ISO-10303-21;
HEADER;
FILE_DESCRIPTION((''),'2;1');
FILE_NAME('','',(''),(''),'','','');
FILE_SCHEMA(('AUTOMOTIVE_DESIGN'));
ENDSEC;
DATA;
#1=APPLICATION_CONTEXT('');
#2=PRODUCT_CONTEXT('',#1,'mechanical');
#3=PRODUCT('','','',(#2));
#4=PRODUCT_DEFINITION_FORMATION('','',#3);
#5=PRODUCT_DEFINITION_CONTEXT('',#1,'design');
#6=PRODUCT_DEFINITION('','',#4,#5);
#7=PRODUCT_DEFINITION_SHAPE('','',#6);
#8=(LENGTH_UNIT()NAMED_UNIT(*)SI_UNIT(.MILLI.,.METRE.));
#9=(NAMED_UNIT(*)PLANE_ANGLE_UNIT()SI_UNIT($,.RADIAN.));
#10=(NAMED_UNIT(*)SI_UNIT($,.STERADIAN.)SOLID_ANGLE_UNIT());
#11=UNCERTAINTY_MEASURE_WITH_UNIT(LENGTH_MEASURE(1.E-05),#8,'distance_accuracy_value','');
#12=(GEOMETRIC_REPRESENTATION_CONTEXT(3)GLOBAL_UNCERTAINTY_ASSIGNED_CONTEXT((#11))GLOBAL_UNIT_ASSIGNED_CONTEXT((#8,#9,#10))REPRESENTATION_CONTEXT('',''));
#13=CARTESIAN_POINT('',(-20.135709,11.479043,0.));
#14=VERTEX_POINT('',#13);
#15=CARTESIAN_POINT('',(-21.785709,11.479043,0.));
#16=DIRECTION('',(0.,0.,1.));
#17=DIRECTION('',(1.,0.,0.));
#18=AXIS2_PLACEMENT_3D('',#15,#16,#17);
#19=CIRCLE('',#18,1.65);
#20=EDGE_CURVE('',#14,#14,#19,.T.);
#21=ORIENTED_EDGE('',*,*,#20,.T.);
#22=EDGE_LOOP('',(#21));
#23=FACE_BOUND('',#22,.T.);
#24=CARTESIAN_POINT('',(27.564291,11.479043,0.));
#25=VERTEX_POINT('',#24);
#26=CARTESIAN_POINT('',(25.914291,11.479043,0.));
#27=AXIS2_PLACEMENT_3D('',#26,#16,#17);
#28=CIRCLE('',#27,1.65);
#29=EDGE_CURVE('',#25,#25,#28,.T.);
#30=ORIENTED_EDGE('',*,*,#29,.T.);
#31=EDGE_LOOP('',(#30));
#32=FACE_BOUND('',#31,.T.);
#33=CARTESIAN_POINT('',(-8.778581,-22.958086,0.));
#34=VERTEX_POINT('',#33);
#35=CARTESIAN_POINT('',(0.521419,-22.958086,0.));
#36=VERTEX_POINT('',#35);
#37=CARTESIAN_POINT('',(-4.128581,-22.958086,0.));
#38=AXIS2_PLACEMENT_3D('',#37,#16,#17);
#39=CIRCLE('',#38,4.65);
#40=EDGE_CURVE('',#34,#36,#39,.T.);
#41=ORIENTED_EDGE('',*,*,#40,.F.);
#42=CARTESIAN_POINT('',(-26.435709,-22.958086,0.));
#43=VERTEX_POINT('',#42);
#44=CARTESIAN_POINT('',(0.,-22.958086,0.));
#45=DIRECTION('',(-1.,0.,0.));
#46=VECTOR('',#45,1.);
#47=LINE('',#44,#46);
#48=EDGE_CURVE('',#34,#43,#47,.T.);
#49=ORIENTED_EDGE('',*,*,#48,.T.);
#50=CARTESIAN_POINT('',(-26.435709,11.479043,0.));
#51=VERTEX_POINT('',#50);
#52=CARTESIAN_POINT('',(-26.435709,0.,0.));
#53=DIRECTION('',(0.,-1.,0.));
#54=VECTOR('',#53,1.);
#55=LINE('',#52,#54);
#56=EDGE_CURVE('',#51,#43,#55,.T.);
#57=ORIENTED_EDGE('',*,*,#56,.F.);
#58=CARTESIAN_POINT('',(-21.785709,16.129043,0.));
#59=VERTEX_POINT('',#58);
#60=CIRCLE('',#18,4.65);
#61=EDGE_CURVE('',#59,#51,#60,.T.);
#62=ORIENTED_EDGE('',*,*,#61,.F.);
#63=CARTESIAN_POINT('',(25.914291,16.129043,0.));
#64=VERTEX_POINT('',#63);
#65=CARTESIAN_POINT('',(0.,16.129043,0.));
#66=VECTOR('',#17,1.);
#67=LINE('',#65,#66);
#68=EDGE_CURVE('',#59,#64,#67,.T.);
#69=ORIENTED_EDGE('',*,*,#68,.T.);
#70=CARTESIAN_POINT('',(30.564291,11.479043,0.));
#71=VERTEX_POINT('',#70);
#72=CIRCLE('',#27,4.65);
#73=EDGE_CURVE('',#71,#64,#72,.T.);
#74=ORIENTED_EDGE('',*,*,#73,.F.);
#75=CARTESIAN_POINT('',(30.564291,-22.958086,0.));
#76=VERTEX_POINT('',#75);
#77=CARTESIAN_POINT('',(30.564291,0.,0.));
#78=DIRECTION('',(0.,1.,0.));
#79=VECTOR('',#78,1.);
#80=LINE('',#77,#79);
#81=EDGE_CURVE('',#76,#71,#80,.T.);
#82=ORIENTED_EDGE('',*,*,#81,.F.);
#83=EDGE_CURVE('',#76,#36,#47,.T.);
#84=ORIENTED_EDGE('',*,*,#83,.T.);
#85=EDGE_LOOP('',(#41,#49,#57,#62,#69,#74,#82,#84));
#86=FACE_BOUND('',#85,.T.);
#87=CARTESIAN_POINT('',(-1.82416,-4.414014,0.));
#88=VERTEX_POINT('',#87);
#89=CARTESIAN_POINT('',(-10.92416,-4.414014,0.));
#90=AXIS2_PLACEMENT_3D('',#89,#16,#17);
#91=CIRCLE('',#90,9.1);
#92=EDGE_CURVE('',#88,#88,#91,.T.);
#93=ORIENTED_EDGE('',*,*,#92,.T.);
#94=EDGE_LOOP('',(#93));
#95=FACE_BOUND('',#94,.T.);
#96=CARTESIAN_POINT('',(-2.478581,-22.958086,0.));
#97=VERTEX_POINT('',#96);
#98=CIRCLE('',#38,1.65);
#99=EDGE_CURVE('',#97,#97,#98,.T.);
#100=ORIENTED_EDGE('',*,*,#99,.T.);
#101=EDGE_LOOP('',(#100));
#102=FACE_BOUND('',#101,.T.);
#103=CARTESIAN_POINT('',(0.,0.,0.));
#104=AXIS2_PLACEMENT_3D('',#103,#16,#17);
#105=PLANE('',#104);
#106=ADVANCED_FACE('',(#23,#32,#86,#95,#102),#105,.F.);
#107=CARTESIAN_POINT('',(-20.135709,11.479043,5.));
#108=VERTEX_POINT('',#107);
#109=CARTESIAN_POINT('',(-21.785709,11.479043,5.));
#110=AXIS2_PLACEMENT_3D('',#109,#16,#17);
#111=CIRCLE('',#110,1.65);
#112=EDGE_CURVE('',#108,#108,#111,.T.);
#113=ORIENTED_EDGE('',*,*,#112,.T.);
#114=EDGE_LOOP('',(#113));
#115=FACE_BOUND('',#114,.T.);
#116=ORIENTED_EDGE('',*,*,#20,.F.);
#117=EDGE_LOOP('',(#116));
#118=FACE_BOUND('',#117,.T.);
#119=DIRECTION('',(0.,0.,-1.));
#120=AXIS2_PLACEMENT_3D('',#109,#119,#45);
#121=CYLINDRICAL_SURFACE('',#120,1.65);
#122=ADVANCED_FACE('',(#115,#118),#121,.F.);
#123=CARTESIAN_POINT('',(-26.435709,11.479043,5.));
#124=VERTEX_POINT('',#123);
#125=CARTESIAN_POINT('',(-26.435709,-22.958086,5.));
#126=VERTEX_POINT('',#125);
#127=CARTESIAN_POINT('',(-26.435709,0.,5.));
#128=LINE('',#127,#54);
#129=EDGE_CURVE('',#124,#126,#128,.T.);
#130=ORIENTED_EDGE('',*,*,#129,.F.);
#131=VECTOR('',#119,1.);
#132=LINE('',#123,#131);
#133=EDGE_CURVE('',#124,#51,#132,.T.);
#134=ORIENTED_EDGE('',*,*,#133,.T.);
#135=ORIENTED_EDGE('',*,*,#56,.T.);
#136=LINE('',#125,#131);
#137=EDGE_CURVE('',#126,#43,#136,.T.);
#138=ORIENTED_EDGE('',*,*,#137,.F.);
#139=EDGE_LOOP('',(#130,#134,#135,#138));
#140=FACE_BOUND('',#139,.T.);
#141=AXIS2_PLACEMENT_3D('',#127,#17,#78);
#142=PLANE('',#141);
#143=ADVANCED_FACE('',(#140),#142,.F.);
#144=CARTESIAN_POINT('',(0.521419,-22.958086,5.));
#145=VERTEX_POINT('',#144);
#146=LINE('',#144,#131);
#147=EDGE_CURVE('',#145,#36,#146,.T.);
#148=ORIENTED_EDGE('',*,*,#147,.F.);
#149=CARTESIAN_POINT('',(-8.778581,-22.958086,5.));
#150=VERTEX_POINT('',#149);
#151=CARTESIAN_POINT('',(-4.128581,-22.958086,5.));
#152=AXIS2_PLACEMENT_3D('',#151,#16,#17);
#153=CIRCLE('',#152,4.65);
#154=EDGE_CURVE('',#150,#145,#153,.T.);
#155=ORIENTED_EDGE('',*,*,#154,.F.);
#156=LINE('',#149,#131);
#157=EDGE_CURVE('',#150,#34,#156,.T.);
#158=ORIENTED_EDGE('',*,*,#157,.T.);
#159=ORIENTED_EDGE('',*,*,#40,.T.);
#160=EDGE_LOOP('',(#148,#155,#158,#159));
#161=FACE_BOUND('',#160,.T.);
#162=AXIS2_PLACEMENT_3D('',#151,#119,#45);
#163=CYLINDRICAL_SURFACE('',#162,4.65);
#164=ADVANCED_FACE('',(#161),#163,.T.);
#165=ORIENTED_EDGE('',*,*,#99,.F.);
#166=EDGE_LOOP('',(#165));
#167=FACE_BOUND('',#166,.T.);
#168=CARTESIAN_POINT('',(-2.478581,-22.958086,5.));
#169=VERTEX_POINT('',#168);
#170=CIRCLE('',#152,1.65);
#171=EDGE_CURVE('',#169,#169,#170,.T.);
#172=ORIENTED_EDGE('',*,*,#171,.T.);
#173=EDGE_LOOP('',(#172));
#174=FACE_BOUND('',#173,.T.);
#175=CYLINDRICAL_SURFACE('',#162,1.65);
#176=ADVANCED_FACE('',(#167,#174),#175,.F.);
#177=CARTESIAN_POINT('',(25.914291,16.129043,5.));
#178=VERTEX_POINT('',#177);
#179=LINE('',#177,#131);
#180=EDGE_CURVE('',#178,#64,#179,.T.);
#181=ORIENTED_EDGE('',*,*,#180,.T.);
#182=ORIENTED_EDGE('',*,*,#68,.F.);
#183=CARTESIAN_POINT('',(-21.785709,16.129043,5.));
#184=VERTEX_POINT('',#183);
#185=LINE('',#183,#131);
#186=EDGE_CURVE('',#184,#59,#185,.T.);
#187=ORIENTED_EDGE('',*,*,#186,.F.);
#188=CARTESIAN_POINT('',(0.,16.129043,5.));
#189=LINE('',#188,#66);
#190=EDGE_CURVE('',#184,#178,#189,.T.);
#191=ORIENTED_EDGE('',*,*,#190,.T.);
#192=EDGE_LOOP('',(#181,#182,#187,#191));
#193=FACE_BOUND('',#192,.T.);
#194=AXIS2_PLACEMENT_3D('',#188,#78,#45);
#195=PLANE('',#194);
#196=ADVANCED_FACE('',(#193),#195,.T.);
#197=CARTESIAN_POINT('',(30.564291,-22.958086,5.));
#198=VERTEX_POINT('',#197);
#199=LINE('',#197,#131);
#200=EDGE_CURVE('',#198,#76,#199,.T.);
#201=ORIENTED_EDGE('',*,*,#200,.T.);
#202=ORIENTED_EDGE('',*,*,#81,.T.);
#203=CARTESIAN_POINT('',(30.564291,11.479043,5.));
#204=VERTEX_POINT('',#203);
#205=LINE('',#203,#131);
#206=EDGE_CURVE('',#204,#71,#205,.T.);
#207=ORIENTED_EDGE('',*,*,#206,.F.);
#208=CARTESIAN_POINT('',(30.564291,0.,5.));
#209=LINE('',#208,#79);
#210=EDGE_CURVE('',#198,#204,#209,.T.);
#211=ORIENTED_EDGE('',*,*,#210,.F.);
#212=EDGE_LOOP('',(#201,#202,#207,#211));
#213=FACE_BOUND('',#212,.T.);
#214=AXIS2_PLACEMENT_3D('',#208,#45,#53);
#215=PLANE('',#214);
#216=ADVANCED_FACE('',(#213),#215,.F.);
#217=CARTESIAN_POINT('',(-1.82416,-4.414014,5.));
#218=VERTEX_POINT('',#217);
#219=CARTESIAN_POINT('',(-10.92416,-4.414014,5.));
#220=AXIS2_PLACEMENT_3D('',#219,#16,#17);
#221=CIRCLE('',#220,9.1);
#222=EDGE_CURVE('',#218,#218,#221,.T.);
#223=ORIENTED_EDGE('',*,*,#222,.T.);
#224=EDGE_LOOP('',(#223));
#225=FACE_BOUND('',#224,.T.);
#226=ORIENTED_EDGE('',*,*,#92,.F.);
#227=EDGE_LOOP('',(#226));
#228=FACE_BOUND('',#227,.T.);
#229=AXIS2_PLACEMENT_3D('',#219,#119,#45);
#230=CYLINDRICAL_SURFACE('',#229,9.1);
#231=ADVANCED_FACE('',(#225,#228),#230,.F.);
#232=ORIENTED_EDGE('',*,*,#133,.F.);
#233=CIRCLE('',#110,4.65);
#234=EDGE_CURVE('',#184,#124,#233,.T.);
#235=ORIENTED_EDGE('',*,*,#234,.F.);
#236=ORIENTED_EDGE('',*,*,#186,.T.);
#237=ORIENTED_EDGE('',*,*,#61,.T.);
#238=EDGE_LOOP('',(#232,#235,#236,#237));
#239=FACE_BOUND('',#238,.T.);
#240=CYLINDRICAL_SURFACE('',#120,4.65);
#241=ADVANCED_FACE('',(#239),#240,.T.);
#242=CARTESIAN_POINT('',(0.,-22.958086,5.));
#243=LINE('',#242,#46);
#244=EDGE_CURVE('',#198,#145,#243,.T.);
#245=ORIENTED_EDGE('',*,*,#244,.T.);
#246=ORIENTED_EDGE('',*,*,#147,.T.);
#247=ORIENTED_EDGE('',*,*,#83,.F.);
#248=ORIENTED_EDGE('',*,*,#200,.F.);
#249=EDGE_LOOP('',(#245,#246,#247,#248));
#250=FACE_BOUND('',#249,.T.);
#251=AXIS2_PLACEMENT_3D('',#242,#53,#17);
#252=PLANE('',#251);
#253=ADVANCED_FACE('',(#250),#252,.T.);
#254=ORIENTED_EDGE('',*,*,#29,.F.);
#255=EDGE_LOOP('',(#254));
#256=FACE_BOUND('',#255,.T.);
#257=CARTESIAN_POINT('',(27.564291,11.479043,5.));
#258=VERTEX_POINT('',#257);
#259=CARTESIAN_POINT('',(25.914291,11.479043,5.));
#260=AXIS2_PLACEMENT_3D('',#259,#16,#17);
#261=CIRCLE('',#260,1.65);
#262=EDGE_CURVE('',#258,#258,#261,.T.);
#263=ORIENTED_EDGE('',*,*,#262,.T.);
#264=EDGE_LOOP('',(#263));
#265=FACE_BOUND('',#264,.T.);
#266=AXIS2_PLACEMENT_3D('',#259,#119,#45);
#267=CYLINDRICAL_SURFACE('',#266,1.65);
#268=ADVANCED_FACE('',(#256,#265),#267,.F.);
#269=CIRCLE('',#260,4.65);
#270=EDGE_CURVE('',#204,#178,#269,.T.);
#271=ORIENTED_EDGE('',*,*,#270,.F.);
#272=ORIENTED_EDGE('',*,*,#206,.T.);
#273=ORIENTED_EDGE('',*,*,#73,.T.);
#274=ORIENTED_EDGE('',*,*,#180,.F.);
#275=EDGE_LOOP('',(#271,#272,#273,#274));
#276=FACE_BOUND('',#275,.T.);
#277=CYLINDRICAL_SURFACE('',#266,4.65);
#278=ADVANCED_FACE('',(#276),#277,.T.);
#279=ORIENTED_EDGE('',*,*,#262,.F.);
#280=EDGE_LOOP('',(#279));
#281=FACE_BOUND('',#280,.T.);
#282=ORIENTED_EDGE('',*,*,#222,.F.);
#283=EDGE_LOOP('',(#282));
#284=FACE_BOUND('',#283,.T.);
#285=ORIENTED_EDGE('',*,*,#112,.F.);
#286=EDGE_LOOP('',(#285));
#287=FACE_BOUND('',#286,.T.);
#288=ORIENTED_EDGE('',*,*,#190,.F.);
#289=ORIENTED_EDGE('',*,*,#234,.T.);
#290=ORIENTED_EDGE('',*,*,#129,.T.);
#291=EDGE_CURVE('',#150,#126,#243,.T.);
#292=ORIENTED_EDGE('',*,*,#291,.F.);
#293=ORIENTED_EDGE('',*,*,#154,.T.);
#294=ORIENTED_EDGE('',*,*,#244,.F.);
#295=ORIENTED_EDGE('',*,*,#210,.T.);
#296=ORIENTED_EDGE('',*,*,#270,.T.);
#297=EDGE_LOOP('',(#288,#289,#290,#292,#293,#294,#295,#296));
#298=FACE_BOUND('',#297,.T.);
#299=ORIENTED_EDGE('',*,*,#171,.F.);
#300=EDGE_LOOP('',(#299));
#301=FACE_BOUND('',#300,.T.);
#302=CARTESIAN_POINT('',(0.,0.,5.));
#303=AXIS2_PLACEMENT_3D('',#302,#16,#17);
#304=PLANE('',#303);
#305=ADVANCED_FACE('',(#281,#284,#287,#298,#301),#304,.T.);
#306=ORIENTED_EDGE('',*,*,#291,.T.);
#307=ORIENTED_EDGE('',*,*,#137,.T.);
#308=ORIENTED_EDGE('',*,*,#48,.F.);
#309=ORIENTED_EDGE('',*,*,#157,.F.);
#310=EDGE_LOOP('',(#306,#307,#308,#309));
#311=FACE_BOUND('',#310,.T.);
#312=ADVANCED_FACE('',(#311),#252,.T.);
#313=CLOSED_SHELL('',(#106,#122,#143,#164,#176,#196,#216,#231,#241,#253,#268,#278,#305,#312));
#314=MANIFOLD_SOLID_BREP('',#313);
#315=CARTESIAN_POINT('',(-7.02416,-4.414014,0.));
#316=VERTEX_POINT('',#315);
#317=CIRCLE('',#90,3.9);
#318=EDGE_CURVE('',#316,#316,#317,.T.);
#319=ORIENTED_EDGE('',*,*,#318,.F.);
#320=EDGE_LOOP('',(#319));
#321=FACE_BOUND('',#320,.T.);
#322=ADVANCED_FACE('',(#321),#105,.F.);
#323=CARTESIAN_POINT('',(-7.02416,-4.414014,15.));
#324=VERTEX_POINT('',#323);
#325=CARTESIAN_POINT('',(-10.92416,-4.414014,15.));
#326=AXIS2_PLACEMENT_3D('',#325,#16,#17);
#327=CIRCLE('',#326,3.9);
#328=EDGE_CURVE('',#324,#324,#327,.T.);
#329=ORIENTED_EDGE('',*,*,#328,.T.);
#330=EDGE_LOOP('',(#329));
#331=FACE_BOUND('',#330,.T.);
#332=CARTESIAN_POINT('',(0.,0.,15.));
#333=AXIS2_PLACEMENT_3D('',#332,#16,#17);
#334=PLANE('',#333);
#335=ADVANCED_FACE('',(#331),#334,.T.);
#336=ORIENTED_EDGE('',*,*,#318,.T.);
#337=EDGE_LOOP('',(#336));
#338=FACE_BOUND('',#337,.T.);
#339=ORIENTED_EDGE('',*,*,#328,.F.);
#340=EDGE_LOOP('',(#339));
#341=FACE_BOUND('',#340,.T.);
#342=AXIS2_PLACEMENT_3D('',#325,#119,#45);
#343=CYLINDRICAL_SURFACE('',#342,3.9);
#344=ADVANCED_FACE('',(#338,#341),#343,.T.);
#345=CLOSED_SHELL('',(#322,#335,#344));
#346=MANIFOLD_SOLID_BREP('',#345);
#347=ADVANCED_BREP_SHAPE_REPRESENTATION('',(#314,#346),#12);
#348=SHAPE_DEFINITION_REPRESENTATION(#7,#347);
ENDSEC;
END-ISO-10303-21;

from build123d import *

# Parameters (mm, degrees)
SKETCH2_R           = 1.65
SKETCH2_R_2         = 9.1
BOSS_EXTRUDE2_DEPTH = 5
SKETCH2_4_R         = 3.9
BOSS_EXTRUDE3_DEPTH = 15


with BuildPart() as part:
    # Sketch2 → Boss-Extrude2 (new body)
    with BuildSketch(Plane.XY):
        with BuildLine():
            ThreePointArc((-21.785709294, 16.129042909), (-25.073755827, 14.767089441), (-26.435709294, 11.479042909))
            Line((-26.435709294, 11.479042909), (-26.435709294, -22.958085818))
            Line((-26.435709294, -22.958085818), (-8.778581412, -22.958085818))
            ThreePointArc((-8.778581412, -22.958085818), (-4.128581412, -27.608085818), (0.521418588, -22.958085818))
            Line((0.521418588, -22.958085818), (30.564290706, -22.958085818))
            Line((30.564290706, -22.958085818), (30.564290706, 3.208952553))
            Line((30.564290706, 3.208952553), (30.564290706, 11.479042909))
            ThreePointArc((30.564290706, 11.479042909), (29.202337238, 14.767089441), (25.914290706, 16.129042909))
            Line((25.914290706, 16.129042909), (-21.785709294, 16.129042909))
        make_face()
        with Locations((-4.128581412, -22.958085818)):
            Circle(SKETCH2_R, mode=Mode.SUBTRACT)
        with Locations((-10.924160063, -4.414013698)):
            Circle(SKETCH2_R_2, mode=Mode.SUBTRACT)
        with Locations((-21.785709294, 11.479042909)):
            Circle(SKETCH2_R, mode=Mode.SUBTRACT)
        with Locations((25.914290706, 11.479042909)):
            Circle(SKETCH2_R, mode=Mode.SUBTRACT)
    extrude(amount=BOSS_EXTRUDE2_DEPTH)


with BuildPart() as body_2:
    # Sketch2<4> → Boss-Extrude3 (new body)
    with BuildSketch(Plane.XY):
        with Locations((-10.924160063, -4.414013698)):
            Circle(SKETCH2_4_R)
    extrude(amount=BOSS_EXTRUDE3_DEPTH)


solid = Compound([part.part, body_2.part])
